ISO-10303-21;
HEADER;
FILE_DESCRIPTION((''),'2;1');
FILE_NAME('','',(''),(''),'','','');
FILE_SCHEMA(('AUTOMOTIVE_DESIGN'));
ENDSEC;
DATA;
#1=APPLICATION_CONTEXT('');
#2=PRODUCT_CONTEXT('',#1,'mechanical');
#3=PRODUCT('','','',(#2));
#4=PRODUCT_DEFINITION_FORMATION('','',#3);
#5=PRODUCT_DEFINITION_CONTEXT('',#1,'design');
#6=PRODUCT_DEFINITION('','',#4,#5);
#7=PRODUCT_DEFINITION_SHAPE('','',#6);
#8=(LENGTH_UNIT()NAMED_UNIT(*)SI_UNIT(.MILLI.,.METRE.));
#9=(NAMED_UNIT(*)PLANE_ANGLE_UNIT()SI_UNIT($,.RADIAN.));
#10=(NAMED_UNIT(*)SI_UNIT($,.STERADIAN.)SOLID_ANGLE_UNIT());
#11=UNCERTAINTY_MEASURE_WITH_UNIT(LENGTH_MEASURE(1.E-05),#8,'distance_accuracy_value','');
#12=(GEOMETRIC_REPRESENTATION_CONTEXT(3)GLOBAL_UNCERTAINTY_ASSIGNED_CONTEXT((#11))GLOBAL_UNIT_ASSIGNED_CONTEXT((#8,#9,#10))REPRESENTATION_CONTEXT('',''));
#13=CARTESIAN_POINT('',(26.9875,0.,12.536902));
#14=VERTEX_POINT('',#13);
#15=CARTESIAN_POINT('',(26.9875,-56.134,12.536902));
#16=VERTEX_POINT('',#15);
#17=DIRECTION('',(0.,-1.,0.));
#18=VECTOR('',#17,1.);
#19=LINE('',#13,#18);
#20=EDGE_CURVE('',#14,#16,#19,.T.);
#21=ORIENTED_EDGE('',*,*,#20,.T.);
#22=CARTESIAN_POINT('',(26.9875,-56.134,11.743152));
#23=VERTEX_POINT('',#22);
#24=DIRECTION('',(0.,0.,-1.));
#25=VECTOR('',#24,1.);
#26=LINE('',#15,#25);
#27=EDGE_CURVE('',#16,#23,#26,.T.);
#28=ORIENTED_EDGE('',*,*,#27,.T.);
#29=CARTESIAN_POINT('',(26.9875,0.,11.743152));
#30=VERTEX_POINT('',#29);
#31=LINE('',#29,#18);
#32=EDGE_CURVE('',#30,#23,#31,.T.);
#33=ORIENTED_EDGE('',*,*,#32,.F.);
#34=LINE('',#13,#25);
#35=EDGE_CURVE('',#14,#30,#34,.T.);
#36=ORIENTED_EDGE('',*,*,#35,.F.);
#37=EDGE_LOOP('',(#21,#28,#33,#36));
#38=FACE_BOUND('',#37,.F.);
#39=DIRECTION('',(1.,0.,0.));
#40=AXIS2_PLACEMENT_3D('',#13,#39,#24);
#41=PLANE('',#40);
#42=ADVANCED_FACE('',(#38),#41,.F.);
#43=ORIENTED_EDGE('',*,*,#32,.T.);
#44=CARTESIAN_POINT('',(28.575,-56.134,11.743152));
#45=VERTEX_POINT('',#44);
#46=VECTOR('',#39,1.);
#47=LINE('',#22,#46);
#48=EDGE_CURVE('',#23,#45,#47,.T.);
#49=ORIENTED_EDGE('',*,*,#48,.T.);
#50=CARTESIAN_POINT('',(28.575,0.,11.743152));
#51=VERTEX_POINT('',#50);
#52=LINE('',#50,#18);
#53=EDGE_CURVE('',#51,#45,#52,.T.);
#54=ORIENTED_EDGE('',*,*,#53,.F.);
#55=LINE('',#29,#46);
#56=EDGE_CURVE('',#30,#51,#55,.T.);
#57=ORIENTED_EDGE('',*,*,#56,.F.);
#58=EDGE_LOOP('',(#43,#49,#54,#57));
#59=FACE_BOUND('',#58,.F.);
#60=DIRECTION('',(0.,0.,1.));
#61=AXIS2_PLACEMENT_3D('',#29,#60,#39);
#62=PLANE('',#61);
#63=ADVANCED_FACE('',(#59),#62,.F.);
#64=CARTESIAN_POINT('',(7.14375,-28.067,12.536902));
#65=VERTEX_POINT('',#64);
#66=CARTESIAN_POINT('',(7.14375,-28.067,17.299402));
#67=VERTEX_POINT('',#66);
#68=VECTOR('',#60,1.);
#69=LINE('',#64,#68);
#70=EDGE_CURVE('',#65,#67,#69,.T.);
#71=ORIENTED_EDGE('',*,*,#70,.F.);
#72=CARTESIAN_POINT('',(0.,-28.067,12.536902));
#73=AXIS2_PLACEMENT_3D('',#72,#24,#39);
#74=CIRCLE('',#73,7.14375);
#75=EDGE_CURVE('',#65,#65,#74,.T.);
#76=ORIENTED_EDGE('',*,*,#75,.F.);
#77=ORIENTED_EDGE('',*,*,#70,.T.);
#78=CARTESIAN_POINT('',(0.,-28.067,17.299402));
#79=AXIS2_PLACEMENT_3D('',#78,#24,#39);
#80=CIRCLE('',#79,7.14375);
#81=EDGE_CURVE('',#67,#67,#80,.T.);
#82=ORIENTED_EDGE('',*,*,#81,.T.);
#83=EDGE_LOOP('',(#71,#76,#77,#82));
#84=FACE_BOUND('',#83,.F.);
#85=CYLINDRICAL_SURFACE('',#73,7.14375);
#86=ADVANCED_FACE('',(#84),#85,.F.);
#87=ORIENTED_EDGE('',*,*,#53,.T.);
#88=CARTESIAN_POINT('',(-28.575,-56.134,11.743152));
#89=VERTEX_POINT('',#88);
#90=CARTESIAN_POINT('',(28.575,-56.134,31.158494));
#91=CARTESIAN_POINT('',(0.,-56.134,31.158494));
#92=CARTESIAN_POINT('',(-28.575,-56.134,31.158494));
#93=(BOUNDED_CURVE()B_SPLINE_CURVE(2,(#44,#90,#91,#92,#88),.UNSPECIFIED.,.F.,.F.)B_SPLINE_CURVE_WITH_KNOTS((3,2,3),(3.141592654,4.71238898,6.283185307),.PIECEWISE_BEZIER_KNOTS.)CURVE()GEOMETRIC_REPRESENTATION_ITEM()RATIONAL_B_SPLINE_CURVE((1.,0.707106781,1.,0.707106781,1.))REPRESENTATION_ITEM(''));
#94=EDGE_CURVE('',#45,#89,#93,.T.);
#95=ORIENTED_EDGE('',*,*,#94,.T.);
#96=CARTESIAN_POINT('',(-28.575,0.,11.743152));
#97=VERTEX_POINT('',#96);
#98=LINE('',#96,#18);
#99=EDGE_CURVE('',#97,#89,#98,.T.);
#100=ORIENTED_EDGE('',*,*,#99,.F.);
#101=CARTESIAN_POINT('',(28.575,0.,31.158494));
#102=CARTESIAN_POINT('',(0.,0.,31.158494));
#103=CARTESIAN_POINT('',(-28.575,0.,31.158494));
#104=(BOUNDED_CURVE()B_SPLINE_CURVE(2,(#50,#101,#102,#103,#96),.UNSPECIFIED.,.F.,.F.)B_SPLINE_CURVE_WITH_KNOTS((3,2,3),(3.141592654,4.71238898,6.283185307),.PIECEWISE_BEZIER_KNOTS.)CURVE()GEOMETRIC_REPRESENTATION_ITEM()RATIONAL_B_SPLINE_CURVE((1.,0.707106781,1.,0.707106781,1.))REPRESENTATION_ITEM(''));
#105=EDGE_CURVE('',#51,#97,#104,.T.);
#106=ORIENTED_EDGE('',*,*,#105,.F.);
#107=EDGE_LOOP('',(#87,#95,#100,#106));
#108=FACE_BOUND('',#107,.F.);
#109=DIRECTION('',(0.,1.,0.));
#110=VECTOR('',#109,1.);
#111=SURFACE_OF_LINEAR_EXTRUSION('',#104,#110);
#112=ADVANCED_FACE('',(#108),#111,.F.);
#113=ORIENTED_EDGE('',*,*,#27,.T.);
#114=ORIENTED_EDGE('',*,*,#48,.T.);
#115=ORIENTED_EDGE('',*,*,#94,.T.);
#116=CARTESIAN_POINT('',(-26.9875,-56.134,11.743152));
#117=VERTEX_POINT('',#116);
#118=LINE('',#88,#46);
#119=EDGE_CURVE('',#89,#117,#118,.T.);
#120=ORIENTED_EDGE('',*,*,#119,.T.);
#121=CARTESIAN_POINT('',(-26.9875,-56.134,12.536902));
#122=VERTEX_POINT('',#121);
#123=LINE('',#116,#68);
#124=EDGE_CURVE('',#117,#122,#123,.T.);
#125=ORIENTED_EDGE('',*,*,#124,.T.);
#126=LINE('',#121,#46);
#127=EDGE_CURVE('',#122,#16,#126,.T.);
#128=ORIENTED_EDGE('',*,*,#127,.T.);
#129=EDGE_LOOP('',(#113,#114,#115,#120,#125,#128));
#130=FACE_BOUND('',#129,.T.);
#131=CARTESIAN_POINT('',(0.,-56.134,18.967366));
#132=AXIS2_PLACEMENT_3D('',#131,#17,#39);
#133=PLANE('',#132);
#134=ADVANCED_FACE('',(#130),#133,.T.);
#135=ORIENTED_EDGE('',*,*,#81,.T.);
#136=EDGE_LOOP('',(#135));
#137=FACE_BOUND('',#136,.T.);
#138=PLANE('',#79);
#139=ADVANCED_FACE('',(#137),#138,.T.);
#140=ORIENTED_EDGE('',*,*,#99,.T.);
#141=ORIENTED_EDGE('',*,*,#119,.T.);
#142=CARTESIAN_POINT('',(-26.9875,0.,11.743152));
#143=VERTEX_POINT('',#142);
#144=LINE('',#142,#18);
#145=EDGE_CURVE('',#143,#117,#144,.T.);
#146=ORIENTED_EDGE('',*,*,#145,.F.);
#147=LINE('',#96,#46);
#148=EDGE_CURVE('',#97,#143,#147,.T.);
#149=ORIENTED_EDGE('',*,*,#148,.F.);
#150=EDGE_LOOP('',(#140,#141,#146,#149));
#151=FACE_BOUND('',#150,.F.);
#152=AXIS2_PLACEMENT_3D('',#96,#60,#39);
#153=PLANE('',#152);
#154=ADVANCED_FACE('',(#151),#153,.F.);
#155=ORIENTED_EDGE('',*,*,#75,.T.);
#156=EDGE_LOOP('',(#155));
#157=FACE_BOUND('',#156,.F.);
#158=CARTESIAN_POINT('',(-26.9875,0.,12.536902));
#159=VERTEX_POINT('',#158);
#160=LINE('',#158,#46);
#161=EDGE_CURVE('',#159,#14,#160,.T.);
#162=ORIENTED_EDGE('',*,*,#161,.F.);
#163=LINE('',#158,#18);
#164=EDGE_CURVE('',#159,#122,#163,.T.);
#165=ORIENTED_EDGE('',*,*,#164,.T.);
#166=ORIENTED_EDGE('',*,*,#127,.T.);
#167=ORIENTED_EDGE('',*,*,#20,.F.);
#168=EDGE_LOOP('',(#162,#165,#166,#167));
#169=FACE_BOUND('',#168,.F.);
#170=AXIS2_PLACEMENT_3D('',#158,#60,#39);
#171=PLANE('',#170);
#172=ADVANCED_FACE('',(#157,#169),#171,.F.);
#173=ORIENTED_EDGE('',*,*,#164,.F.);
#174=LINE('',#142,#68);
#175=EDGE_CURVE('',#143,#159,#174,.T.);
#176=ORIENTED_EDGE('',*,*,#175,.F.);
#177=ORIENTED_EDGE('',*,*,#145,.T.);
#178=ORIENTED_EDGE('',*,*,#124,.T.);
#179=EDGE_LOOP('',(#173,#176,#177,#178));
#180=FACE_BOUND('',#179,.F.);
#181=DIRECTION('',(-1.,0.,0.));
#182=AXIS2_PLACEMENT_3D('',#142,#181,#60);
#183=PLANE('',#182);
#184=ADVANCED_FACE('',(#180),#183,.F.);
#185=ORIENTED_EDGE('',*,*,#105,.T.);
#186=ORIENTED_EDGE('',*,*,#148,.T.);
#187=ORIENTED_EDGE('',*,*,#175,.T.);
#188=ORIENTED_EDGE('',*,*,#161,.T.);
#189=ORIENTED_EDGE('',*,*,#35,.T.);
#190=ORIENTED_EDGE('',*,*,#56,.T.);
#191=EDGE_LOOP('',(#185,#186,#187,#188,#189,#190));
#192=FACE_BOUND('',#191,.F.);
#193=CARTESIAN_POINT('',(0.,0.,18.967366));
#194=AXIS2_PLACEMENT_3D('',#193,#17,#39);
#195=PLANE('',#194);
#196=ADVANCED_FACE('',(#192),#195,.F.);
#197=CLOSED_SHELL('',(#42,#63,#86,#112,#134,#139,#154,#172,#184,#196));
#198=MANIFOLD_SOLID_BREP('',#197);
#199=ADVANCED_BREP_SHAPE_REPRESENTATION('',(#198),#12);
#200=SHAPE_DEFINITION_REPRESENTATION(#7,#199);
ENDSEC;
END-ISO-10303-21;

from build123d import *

# Parameters (mm, degrees)
F1_DEPTH = 56.134
F2_R     = 7.14375
F3_DEPTH = 4.7625


with BuildPart() as f1:
    # F0 (on Front) → F1 (new body)
    with BuildSketch(Plane.XZ):
        with BuildLine():
            add(Edge.make_bspline(
                [(28.575, 11.7431515828), (28.575, 31.1584938318), (0, 31.1584938318), (-28.575, 31.1584938318), (-28.575, 11.7431515828)],
                knots=[3.1415926536, 3.1415926536, 3.1415926536, 4.7123889804, 4.7123889804, 6.2831853072, 6.2831853072, 6.2831853072], degree=2, weights=[1, 0.7071067812, 1, 0.7071067812, 1]))
            Line((-28.575, 11.7431515828), (-26.9875, 11.7431515828))
            Line((-26.9875, 11.7431515828), (-26.9875, 12.5369015828))
            Line((-26.9875, 12.5369015828), (0, 12.5369015828))
            Line((0, 12.5369015828), (26.9875, 12.5369015828))
            Line((26.9875, 12.5369015828), (26.9875, 11.7431515828))
            Line((26.9875, 11.7431515828), (28.575, 11.7431515828))
        make_face()
    extrude(amount=F1_DEPTH)

    # F2 (on face) → F3 (cut)
    with BuildSketch(Plane(origin=(0, 0, 12.5369015828), x_dir=(1, 0, 0), z_dir=(0, 0, -1))):
        with Locations((0, 28.067)):
            Circle(F2_R)
    extrude(amount=-F3_DEPTH, mode=Mode.SUBTRACT)


solid = f1.part
